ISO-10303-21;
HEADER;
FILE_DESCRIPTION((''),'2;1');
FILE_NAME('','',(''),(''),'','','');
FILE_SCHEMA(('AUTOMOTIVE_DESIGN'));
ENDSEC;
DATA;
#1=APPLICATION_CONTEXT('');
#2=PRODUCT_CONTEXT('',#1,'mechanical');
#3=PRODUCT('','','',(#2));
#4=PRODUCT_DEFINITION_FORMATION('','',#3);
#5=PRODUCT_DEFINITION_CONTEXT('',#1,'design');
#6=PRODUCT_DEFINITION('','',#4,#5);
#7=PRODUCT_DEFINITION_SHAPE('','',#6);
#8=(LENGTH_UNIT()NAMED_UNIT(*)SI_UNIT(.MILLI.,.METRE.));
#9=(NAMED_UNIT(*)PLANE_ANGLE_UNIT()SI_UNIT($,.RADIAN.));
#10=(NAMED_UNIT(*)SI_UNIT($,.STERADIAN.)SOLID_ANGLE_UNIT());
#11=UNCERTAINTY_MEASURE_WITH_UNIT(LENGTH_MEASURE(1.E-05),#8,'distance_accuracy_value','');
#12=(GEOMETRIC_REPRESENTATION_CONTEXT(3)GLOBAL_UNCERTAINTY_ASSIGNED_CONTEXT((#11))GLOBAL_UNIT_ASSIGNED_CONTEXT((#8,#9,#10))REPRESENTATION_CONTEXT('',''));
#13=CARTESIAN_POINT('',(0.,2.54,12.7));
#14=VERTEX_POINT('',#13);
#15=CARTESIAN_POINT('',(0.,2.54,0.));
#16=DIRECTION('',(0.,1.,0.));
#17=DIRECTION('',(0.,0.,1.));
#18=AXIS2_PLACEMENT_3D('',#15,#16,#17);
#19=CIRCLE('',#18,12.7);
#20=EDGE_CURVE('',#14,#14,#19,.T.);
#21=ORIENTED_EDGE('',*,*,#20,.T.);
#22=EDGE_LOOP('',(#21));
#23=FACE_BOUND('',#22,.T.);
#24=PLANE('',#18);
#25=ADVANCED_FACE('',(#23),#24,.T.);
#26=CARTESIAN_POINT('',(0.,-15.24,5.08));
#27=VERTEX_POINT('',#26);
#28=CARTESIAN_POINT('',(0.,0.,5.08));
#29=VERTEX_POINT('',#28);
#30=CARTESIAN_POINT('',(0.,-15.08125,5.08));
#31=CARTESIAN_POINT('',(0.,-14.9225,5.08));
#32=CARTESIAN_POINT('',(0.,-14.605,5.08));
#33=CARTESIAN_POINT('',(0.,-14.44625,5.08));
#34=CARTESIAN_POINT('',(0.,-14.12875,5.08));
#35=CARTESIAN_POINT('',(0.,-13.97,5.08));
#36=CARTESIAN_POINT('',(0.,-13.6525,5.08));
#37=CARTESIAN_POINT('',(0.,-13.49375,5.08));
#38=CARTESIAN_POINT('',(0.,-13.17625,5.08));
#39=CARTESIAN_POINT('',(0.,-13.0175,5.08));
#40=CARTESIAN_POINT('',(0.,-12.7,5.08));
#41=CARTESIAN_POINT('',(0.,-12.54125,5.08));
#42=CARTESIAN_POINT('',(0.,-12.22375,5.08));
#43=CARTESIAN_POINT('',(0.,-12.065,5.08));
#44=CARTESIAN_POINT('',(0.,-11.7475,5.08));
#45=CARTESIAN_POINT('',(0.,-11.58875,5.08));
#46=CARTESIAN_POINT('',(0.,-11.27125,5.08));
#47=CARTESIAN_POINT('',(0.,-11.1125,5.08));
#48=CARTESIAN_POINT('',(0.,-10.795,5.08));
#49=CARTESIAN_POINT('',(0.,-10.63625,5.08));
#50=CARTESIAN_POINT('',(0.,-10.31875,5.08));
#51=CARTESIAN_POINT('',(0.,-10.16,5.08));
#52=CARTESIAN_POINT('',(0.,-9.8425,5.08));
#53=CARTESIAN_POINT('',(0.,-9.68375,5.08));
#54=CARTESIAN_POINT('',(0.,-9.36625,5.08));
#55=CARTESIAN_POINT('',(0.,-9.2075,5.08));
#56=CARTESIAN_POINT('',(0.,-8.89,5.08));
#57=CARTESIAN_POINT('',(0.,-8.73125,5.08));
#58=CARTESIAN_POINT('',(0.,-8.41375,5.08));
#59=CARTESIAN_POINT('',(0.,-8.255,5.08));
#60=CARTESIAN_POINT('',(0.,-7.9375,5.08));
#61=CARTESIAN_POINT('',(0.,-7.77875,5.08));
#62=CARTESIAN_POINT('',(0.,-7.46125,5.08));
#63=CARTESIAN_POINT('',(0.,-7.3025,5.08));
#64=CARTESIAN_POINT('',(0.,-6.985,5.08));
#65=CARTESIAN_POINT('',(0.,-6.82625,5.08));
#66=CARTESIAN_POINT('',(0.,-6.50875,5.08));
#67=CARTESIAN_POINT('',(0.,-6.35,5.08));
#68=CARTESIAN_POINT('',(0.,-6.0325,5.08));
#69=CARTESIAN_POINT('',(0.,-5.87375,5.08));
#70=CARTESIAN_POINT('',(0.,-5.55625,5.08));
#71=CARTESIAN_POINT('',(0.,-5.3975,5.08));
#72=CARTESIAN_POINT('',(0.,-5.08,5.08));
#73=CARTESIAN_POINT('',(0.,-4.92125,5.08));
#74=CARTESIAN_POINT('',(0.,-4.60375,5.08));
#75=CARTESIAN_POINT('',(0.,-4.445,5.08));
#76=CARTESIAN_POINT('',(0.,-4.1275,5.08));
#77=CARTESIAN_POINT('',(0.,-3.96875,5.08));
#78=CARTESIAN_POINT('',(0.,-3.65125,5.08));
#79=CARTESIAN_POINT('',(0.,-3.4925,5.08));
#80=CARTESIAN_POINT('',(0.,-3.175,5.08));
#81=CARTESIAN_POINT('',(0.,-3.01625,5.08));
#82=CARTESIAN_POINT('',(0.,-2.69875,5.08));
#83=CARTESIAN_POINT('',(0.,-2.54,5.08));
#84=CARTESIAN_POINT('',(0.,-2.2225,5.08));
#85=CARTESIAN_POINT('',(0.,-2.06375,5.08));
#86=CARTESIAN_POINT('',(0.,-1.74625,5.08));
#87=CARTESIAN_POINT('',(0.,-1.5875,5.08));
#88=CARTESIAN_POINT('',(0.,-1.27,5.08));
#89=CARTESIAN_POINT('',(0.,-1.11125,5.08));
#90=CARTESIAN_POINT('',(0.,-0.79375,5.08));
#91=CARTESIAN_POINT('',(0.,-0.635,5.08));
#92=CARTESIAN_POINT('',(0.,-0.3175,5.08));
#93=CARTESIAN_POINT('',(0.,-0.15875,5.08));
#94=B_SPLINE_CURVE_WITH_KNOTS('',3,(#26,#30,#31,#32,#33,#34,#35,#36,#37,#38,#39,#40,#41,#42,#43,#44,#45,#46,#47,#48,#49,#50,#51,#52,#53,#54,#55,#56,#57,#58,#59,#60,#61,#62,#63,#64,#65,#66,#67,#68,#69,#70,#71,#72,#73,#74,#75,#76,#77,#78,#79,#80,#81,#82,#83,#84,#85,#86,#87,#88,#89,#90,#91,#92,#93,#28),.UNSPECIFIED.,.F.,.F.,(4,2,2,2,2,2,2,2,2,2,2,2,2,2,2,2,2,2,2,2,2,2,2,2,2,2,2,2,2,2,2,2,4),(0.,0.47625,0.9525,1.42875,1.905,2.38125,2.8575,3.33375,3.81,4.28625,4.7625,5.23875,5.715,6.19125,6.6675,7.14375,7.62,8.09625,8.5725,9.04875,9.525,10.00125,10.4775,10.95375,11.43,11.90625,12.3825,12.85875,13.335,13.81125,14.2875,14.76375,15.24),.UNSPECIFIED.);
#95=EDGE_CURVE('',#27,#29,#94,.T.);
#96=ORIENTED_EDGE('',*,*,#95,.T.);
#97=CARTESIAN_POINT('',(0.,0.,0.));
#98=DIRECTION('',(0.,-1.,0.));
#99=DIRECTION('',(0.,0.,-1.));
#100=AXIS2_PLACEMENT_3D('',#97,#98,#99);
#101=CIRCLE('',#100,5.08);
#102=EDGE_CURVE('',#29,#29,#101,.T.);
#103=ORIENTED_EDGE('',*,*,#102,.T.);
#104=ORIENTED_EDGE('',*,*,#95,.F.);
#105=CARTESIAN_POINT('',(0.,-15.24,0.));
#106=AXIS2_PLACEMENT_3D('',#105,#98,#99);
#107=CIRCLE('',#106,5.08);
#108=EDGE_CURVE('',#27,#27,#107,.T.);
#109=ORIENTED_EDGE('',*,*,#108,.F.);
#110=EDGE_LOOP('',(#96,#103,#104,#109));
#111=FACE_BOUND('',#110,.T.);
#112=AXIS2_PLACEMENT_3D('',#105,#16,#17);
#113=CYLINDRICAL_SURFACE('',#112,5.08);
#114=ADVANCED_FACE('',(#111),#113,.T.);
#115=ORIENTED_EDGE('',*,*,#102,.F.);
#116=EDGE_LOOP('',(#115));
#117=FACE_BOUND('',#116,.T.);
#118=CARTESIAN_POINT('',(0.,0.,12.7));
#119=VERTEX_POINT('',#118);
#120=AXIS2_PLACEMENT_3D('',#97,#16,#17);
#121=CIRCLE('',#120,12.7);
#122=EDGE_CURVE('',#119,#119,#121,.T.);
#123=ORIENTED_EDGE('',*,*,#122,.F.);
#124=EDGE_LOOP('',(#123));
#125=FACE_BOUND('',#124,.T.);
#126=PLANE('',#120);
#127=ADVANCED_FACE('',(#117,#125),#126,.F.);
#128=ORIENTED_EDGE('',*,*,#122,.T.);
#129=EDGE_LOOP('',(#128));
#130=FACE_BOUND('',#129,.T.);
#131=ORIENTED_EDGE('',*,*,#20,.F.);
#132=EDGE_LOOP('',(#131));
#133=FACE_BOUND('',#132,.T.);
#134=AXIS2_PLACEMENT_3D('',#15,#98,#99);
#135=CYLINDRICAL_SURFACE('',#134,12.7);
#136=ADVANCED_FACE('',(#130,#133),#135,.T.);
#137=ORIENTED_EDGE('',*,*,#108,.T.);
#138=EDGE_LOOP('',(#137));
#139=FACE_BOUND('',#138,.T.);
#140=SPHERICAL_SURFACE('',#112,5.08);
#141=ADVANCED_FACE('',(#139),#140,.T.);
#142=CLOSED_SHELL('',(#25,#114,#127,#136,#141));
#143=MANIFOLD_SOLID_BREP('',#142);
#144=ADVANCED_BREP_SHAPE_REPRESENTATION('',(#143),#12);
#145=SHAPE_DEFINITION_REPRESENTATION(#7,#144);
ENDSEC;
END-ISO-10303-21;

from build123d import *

# Parameters (mm, degrees)
SKETCH1_R           = 12.7
BOSS_EXTRUDE1_DEPTH = 2.54
SKETCH3_R           = 5.08
BOSS_EXTRUDE2_DEPTH = 15.24


with BuildPart() as part:
    # Sketch1 → Boss-Extrude1 (new body)
    with BuildSketch(Plane(origin=(0, 0, 0), x_dir=(1, 0, 0), z_dir=(0, 1, 0))):
        with Locations(Location((0, 0, 0), (0, 0, 270))):
            Circle(SKETCH1_R)
    extrude(amount=BOSS_EXTRUDE1_DEPTH)

    # Sketch3 → Boss-Extrude2 (add)
    with BuildSketch(Plane.XZ):
        with Locations(Location((0, 0, 0), (0, 0, 90))):
            Circle(SKETCH3_R)
    extrude(amount=BOSS_EXTRUDE2_DEPTH)

    # Sketch5 → Revolve2 (revolve)
    with BuildSketch(Plane(origin=(0, 0, 0), x_dir=(0, 0, -1), z_dir=(1, 0, 0))):
        with BuildLine():
            Line((0, -15.24), (0, -20.32))
            ThreePointArc((0, -20.32), (-3.592102448, -18.832102448), (-5.08, -15.24))
            Line((-5.08, -15.24), (0, -15.24))
        make_face()
    revolve(axis=Axis((0, -15.24, 0), (0, -1, 0)))


solid = part.part
